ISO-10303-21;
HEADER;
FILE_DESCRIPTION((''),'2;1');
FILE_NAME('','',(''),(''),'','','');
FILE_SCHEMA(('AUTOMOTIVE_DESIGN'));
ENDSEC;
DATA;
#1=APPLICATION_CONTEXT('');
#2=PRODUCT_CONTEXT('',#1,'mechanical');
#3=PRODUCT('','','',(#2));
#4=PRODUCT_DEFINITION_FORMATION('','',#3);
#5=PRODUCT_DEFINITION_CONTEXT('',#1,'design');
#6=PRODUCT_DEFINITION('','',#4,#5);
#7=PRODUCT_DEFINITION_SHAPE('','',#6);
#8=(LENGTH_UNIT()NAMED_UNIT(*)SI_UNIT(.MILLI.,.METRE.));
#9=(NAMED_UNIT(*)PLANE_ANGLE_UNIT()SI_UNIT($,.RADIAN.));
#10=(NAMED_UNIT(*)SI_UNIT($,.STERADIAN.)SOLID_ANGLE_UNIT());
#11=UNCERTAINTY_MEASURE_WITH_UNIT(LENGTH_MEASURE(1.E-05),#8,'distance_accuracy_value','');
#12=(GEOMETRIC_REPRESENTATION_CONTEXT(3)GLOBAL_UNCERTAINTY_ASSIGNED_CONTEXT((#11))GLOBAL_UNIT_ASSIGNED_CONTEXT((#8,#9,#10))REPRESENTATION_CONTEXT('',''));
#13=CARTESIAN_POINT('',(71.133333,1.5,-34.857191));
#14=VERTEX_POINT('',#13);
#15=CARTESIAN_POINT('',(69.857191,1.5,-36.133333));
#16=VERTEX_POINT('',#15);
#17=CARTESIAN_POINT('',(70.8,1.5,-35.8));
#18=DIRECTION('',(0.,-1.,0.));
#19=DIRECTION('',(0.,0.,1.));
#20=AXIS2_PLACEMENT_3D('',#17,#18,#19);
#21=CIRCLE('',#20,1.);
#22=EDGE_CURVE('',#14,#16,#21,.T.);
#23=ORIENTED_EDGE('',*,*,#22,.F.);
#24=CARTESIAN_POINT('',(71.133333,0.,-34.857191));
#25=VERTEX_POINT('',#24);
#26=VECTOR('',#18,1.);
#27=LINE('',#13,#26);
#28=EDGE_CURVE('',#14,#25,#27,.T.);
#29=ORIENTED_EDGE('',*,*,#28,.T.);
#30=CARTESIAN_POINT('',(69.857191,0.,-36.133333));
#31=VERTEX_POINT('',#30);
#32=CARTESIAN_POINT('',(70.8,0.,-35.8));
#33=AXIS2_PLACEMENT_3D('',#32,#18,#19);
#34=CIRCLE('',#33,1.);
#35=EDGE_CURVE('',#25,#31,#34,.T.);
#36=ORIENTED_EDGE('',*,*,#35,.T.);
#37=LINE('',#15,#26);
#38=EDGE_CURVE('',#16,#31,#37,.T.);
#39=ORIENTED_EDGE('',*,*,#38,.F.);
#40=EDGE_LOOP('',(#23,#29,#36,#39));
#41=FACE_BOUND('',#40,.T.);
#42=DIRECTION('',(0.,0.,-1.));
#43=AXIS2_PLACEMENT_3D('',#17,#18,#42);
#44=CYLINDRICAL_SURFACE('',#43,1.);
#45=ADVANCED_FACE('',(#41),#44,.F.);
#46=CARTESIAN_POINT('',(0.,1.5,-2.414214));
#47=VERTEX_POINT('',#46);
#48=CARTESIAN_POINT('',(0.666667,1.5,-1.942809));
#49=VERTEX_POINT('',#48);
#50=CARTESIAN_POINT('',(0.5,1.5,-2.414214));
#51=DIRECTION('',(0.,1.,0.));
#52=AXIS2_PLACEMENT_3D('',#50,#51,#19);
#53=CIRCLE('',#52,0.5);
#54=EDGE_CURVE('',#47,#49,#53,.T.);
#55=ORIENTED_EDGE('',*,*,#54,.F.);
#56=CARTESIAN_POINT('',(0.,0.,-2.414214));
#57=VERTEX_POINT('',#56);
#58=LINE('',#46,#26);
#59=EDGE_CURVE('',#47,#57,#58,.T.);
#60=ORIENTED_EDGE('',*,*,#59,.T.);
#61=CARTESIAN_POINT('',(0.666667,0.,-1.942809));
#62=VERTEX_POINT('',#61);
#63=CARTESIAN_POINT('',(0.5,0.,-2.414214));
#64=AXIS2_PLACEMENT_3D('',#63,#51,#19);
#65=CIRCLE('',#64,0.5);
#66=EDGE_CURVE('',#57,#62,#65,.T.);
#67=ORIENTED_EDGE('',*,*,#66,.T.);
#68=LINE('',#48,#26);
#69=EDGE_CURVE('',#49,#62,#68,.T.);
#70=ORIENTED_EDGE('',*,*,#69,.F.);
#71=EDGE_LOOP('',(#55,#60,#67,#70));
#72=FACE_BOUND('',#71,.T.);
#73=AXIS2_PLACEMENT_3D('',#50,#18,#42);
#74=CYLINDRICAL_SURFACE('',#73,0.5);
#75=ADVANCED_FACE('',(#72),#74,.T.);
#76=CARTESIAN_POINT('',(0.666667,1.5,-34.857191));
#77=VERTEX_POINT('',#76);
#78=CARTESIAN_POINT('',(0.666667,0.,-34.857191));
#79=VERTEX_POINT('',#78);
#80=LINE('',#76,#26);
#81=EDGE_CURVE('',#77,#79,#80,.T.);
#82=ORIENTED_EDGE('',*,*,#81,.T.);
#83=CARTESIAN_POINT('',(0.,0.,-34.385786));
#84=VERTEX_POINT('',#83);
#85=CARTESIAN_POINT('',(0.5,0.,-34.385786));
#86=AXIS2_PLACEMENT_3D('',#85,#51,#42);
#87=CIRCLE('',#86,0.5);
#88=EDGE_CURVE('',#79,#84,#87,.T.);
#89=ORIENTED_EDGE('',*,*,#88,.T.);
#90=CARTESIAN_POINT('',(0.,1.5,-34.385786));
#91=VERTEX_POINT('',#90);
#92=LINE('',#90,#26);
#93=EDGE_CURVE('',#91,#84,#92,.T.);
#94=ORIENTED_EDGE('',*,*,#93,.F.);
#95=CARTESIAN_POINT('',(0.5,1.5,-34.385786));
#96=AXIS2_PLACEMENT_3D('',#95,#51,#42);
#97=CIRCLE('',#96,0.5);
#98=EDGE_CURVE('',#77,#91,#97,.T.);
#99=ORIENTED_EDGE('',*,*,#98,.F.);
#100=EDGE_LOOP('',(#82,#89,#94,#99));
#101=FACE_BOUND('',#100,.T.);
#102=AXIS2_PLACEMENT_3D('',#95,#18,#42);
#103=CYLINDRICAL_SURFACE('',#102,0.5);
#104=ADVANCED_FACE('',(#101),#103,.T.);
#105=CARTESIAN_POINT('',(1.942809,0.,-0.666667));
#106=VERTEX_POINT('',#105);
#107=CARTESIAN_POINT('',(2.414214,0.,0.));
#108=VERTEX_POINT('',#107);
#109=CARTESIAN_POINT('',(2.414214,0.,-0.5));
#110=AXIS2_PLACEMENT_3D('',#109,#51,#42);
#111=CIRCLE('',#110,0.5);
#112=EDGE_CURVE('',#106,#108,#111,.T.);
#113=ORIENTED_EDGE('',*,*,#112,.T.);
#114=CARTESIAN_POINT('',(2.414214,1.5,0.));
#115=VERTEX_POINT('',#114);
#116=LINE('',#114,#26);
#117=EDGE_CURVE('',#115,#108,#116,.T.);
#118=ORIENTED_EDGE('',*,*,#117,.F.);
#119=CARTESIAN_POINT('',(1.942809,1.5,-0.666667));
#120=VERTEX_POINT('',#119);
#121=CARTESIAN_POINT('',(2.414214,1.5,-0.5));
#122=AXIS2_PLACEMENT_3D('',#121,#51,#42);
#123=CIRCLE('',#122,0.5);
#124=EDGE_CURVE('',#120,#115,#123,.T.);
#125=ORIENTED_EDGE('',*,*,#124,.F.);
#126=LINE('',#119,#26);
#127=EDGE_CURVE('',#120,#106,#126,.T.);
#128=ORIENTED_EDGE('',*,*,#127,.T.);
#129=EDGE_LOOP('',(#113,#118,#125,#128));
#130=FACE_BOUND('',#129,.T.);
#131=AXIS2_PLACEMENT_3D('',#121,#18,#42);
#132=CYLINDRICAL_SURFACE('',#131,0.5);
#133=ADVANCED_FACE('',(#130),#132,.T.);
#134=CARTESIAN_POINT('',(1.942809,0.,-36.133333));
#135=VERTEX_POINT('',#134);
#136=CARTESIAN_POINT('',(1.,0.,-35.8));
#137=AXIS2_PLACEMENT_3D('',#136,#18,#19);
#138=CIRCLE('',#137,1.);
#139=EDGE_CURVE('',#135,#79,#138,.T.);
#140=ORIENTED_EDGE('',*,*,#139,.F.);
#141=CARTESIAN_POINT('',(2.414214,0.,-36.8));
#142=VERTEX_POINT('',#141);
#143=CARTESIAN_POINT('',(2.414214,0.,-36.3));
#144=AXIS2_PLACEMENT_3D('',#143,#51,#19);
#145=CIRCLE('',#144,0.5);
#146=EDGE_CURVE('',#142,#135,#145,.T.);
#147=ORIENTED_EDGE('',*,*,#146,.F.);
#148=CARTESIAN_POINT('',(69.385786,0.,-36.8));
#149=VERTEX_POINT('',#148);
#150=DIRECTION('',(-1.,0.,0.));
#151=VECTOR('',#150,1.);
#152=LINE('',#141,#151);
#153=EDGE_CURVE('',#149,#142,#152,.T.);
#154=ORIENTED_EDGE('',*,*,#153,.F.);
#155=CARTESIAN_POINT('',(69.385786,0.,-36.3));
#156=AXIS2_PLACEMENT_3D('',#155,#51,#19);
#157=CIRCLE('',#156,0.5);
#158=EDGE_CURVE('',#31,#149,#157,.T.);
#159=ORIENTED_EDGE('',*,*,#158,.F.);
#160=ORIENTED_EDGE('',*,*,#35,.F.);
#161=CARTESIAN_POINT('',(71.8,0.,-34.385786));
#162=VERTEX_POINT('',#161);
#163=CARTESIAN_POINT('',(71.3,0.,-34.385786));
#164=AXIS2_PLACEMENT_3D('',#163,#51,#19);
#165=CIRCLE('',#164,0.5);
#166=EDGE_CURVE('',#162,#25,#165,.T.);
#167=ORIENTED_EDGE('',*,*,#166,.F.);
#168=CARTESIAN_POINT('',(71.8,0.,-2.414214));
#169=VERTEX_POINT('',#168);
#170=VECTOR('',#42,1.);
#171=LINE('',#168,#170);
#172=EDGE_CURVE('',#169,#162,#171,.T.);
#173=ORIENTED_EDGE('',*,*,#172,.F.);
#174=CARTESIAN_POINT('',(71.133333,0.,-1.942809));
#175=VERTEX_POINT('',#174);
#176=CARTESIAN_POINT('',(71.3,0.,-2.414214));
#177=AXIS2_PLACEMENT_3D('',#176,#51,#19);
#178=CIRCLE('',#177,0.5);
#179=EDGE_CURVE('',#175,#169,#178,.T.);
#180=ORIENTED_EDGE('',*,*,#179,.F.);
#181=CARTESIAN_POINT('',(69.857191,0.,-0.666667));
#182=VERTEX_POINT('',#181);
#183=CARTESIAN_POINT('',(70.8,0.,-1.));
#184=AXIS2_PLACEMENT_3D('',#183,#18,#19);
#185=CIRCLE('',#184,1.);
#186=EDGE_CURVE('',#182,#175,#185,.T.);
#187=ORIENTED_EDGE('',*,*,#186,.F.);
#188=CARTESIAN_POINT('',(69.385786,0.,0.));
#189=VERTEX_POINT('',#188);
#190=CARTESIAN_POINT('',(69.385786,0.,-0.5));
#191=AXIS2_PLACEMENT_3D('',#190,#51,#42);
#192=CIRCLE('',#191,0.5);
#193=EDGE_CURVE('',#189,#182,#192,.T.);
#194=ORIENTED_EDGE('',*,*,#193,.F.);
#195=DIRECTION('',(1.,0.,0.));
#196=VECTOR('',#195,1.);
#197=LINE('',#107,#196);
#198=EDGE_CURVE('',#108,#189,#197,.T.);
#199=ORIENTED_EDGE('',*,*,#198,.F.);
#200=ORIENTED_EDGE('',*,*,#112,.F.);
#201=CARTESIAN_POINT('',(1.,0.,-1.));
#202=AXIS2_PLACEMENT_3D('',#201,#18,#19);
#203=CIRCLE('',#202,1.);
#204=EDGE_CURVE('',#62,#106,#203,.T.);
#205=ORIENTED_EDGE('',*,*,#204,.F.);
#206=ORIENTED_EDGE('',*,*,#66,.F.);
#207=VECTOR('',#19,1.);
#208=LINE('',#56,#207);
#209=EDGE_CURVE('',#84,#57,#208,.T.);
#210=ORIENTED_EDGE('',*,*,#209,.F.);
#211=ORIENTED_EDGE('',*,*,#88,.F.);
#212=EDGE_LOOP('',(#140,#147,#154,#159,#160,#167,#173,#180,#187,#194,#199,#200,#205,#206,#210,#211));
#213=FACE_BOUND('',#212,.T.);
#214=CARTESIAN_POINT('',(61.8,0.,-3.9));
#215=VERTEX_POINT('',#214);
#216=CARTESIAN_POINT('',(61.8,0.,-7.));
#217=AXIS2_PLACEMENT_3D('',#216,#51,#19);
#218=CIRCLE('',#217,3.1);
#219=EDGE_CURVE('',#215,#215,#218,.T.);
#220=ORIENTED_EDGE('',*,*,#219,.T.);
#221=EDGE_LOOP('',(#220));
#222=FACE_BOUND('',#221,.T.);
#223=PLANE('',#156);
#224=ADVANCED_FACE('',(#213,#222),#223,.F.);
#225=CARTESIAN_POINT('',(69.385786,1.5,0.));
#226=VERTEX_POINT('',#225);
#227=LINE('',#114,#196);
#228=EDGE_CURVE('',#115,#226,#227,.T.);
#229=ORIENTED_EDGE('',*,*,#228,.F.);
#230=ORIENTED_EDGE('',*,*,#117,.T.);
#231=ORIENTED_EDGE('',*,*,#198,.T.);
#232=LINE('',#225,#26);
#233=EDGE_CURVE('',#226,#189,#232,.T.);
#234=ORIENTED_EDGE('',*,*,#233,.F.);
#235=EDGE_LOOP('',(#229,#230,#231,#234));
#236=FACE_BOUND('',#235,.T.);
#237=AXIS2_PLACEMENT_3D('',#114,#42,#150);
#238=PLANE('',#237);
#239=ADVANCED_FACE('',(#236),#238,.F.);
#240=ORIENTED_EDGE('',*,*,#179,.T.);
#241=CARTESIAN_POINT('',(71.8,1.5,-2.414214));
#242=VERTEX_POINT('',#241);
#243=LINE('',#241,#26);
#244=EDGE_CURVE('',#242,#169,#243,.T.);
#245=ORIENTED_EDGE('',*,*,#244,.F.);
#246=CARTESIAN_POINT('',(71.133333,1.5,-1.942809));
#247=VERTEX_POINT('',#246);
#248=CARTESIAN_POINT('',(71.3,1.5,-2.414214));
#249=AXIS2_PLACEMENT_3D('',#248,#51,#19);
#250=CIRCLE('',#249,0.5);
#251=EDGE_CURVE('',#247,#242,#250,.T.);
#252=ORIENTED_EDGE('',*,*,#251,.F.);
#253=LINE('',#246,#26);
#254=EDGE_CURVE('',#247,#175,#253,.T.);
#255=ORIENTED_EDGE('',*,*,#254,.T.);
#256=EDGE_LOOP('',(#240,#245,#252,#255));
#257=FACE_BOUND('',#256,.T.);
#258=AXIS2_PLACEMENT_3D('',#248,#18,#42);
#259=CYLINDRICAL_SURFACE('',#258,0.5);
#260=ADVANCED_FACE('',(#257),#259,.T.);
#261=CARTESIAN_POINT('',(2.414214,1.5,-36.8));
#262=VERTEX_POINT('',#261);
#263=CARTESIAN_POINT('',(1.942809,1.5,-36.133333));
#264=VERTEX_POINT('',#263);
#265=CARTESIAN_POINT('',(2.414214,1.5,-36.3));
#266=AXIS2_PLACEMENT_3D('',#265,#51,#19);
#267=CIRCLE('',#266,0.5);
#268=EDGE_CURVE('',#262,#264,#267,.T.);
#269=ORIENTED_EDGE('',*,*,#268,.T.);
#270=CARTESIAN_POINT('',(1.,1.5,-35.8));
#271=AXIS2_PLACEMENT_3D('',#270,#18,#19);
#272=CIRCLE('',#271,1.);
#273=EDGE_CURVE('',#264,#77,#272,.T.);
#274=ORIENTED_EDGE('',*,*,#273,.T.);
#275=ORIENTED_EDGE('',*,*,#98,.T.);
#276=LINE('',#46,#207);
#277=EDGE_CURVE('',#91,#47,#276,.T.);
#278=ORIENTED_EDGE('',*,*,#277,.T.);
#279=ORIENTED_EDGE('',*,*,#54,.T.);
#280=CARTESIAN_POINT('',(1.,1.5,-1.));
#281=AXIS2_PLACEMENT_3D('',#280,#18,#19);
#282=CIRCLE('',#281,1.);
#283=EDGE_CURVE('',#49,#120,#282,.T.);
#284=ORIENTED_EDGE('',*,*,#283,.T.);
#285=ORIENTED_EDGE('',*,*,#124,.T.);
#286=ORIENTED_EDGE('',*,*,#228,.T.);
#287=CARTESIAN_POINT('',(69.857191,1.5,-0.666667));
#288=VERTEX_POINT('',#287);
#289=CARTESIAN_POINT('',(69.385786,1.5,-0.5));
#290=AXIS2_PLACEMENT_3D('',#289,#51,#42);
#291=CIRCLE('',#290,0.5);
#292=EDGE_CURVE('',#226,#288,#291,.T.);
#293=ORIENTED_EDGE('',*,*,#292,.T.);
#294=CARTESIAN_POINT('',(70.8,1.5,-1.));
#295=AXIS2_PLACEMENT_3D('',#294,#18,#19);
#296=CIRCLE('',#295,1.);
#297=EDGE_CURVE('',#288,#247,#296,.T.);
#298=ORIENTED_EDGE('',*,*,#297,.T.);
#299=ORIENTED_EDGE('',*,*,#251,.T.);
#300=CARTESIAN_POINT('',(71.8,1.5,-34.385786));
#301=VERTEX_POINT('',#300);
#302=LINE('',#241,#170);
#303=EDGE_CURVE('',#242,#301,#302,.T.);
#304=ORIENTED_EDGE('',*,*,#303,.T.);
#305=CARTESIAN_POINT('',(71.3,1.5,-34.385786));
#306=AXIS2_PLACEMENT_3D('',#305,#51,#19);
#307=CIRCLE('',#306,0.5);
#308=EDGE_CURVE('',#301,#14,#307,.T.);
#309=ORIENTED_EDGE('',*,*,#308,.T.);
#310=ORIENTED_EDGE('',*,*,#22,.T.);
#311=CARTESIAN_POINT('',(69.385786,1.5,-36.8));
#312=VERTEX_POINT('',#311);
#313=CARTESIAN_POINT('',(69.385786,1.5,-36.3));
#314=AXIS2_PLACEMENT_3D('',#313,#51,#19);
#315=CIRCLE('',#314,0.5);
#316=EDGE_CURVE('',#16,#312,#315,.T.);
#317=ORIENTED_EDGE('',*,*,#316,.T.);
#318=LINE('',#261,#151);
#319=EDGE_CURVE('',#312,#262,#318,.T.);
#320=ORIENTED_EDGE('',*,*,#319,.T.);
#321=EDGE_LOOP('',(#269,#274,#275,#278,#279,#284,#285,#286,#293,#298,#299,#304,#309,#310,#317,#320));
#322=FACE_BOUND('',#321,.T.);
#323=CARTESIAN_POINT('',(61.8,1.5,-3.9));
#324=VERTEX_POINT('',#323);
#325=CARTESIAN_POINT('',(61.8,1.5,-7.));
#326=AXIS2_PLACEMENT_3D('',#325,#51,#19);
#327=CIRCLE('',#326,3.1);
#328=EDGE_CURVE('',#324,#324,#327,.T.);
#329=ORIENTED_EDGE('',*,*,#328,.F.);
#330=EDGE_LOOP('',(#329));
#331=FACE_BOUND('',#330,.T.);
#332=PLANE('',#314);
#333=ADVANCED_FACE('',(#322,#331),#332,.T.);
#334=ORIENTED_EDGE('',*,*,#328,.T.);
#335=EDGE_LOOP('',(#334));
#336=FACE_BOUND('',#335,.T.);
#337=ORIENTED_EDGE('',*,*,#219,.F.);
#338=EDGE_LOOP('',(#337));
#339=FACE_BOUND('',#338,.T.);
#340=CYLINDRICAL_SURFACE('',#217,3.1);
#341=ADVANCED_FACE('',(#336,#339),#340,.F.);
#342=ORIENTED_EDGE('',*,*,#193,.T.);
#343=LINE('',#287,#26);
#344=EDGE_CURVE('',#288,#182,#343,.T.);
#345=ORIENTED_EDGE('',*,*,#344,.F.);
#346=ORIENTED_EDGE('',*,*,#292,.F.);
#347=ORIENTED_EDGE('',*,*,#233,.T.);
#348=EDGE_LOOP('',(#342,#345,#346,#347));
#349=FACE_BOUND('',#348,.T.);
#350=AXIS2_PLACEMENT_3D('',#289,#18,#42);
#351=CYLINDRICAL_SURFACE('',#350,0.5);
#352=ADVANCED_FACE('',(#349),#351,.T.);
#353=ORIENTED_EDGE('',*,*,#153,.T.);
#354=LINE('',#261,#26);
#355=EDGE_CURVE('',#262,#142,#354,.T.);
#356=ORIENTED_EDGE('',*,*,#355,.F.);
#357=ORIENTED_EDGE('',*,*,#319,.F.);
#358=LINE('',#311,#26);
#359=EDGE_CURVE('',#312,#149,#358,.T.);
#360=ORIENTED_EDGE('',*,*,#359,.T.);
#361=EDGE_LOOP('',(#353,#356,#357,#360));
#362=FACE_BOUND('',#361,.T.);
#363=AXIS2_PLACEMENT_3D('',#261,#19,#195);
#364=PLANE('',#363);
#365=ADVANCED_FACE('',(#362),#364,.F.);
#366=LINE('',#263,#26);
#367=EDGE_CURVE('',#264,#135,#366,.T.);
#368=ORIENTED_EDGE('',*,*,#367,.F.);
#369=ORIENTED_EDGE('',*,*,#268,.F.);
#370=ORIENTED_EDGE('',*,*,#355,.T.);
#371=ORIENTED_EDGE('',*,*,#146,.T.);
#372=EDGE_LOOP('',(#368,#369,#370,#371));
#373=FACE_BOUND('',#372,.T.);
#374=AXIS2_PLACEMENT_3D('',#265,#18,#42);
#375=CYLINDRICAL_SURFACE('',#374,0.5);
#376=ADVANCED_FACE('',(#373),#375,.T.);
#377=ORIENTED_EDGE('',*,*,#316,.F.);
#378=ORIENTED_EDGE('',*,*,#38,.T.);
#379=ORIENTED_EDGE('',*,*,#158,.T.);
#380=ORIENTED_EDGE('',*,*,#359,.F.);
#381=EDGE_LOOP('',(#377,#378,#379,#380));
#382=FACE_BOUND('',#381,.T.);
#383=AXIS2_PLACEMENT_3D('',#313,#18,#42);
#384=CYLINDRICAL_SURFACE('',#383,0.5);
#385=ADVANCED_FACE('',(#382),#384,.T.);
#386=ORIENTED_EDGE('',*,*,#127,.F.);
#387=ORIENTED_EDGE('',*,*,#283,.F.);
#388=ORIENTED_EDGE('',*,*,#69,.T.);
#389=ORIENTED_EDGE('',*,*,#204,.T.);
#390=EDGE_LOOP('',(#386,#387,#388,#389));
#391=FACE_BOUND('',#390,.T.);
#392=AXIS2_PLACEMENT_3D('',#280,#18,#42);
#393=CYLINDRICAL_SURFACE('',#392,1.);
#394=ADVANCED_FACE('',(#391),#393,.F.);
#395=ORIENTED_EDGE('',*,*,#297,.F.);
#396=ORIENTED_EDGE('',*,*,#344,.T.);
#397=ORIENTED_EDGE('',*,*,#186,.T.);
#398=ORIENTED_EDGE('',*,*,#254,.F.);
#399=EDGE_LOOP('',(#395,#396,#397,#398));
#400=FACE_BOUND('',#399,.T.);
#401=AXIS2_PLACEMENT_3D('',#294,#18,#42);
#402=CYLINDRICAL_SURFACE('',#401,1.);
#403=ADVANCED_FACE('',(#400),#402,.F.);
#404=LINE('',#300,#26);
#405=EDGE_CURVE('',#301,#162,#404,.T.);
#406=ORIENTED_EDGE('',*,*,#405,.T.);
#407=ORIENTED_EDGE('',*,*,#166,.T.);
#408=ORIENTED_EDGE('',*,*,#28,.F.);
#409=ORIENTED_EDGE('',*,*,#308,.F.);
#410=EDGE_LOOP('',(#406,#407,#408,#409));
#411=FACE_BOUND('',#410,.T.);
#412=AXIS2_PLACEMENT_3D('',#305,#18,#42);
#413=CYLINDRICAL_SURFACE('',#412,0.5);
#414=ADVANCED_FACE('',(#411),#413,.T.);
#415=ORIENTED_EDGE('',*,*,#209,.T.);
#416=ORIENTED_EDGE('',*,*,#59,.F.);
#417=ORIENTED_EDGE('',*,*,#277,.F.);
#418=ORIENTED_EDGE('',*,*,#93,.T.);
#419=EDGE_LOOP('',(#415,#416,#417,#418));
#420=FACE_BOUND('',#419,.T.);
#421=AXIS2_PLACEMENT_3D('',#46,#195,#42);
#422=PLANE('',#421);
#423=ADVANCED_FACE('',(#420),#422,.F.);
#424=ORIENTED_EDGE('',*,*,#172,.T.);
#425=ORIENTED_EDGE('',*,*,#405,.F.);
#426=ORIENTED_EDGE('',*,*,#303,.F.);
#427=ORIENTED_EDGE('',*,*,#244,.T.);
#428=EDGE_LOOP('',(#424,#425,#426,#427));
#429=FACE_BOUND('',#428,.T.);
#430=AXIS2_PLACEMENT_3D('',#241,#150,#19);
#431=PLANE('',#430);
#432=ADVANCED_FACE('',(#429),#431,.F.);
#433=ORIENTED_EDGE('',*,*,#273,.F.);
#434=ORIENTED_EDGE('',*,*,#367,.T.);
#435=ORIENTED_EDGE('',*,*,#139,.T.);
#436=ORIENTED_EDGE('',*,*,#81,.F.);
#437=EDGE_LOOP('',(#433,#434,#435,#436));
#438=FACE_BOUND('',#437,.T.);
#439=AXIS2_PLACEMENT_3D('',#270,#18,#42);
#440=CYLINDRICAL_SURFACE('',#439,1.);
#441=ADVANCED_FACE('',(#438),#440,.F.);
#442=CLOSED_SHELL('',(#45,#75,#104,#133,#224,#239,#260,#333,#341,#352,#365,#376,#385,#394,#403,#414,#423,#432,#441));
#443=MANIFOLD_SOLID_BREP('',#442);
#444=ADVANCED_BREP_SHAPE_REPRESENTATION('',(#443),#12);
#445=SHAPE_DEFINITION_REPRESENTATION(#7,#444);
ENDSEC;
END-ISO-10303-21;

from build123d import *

# Parameters (mm, degrees)
BOSS_EXTRUDE1_DEPTH = 1.5
SKETCH2_R           = 3.1
CUT_EXTRUDE1_DEPTH  = 1.5


with BuildPart() as part:
    # Sketch1 → Boss-Extrude1 (new body)
    with BuildSketch(Plane(origin=(0, 0, 0), x_dir=(1, 0, 0), z_dir=(0, 1, 0))):
        with BuildLine():
            Line((2.414213562, 0), (69.385786438, 0))
            ThreePointArc((69.385786438, 0), (69.794034728, 0.211324865), (69.857190958, 0.666666667))
            ThreePointArc((69.857190958, 0.666666667), (70.092893219, 1.707106781), (71.133333333, 1.942809042))
            ThreePointArc((71.133333333, 1.942809042), (71.588675135, 2.005965272), (71.8, 2.414213562))
            Line((71.8, 2.414213562), (71.8, 34.385786438))
            ThreePointArc((71.8, 34.385786438), (71.588675135, 34.794034728), (71.133333333, 34.857190958))
            ThreePointArc((71.133333333, 34.857190958), (70.092893219, 35.092893219), (69.857190958, 36.133333333))
            ThreePointArc((69.857190958, 36.133333333), (69.794034728, 36.588675135), (69.385786438, 36.8))
            Line((69.385786438, 36.8), (2.414213562, 36.8))
            ThreePointArc((2.414213562, 36.8), (2.005965272, 36.588675135), (1.942809042, 36.133333333))
            ThreePointArc((1.942809042, 36.133333333), (1.707106781, 35.092893219), (0.666666667, 34.857190958))
            ThreePointArc((0.666666667, 34.857190958), (0.211324865, 34.794034728), (0, 34.385786438))
            Line((0, 34.385786438), (0, 2.414213562))
            ThreePointArc((0, 2.414213562), (0.211324865, 2.005965272), (0.666666667, 1.942809042))
            ThreePointArc((0.666666667, 1.942809042), (1.707106781, 1.707106781), (1.942809042, 0.666666667))
            ThreePointArc((1.942809042, 0.666666667), (2.005965272, 0.211324865), (2.414213562, 0))
        make_face()
    extrude(amount=BOSS_EXTRUDE1_DEPTH)

    # Sketch2 → Cut-Extrude1 (cut)
    with BuildSketch(Plane(origin=(0, 1.5, 0), x_dir=(1, 0, 0), z_dir=(0, 1, 0))):
        with Locations(Location((61.8, 7, 0), (0, 0, 270))):
            Circle(SKETCH2_R)
    extrude(amount=-CUT_EXTRUDE1_DEPTH, mode=Mode.SUBTRACT)


solid = part.part
